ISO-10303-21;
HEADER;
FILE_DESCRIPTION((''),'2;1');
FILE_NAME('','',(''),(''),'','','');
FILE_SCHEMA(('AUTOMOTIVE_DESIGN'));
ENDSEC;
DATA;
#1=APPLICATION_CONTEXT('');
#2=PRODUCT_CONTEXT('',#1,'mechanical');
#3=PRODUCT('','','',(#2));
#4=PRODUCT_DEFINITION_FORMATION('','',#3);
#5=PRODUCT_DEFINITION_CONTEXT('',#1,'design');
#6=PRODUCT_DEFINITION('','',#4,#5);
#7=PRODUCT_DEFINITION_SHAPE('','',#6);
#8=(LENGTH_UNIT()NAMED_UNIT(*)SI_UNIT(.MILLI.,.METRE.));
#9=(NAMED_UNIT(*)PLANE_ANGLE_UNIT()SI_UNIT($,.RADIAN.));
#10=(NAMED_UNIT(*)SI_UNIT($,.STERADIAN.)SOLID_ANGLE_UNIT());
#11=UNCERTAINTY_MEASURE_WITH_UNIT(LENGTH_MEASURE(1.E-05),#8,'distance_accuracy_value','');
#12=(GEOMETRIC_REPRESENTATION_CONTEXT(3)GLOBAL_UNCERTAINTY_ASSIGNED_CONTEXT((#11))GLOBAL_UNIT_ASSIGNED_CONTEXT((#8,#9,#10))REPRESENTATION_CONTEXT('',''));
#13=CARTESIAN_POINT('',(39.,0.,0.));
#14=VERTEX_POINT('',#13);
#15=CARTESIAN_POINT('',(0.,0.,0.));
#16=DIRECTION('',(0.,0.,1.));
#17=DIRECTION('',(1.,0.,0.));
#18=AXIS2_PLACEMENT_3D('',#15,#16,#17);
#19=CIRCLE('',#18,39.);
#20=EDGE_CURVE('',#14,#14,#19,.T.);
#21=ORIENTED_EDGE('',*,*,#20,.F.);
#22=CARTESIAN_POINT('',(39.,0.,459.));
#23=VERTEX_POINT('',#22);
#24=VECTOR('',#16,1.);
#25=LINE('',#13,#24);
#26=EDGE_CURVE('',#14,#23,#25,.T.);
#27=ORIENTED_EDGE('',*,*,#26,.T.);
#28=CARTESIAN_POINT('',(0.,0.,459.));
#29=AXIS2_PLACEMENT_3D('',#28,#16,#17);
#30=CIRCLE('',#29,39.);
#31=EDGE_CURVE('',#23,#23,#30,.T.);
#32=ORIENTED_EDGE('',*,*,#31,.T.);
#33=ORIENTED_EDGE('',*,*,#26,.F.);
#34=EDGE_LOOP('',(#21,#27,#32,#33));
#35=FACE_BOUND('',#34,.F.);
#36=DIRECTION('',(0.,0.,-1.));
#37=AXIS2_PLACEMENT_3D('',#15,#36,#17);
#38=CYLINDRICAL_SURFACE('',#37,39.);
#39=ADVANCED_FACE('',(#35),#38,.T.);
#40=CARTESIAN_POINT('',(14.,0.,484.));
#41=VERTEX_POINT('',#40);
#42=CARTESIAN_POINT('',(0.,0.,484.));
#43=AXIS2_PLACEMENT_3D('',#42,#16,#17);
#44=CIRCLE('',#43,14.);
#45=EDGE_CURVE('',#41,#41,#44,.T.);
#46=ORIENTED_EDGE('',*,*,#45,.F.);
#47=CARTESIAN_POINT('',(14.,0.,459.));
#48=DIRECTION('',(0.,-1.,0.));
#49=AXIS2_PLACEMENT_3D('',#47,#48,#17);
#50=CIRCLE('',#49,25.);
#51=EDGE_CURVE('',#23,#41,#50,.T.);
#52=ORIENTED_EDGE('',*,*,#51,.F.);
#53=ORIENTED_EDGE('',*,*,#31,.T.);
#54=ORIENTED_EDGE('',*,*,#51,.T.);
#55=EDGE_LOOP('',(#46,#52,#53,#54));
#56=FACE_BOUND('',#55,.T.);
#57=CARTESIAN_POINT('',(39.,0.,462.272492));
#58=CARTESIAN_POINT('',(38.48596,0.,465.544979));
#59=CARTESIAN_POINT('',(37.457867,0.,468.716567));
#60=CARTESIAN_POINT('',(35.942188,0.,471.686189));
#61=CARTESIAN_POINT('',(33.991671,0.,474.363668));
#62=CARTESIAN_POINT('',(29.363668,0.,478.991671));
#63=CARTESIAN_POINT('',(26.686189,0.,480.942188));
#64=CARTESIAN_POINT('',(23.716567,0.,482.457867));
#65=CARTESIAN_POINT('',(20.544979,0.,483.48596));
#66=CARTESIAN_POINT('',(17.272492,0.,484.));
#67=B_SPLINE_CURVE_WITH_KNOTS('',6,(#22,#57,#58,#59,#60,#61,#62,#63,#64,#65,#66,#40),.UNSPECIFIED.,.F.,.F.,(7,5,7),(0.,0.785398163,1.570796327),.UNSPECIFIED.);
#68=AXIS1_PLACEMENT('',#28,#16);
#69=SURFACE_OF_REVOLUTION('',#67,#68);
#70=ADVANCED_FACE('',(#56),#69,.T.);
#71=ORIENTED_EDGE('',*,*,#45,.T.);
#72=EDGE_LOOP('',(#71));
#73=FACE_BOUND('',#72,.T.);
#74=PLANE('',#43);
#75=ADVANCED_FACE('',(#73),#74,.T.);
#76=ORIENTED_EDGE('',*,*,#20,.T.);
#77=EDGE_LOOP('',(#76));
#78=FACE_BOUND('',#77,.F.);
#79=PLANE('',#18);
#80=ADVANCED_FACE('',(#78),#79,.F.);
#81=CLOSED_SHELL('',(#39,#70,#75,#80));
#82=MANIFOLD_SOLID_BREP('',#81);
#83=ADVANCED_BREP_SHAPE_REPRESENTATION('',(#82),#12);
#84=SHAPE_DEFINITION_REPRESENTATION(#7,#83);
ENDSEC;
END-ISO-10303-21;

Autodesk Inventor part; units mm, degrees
ref_plane "YZ Plane" through (0, 0, 0) normal (1, 0, 0) x (0, 1, 0)
ref_plane "XZ Plane" through (0, 0, 0) normal (0, 1, 0) x (-1, 0, 0)
ref_plane "XY Plane" through (0, 0, 0) normal (0, 0, 1) x (1, 0, 0)
sketch "Sketch1" plane through (0, 0, 0) normal (0, 0, 1) x (1, 0, 0)
  circle A0 centre (0, 0) radius 39
  dimension "d0" = 78
extrude "Extrusion1" add sketch "Sketch1" along normal blind 484
fillet "Fillet1" radius 25 1 edges at (-39, 0, 484)
properties part number "Accumulator"
